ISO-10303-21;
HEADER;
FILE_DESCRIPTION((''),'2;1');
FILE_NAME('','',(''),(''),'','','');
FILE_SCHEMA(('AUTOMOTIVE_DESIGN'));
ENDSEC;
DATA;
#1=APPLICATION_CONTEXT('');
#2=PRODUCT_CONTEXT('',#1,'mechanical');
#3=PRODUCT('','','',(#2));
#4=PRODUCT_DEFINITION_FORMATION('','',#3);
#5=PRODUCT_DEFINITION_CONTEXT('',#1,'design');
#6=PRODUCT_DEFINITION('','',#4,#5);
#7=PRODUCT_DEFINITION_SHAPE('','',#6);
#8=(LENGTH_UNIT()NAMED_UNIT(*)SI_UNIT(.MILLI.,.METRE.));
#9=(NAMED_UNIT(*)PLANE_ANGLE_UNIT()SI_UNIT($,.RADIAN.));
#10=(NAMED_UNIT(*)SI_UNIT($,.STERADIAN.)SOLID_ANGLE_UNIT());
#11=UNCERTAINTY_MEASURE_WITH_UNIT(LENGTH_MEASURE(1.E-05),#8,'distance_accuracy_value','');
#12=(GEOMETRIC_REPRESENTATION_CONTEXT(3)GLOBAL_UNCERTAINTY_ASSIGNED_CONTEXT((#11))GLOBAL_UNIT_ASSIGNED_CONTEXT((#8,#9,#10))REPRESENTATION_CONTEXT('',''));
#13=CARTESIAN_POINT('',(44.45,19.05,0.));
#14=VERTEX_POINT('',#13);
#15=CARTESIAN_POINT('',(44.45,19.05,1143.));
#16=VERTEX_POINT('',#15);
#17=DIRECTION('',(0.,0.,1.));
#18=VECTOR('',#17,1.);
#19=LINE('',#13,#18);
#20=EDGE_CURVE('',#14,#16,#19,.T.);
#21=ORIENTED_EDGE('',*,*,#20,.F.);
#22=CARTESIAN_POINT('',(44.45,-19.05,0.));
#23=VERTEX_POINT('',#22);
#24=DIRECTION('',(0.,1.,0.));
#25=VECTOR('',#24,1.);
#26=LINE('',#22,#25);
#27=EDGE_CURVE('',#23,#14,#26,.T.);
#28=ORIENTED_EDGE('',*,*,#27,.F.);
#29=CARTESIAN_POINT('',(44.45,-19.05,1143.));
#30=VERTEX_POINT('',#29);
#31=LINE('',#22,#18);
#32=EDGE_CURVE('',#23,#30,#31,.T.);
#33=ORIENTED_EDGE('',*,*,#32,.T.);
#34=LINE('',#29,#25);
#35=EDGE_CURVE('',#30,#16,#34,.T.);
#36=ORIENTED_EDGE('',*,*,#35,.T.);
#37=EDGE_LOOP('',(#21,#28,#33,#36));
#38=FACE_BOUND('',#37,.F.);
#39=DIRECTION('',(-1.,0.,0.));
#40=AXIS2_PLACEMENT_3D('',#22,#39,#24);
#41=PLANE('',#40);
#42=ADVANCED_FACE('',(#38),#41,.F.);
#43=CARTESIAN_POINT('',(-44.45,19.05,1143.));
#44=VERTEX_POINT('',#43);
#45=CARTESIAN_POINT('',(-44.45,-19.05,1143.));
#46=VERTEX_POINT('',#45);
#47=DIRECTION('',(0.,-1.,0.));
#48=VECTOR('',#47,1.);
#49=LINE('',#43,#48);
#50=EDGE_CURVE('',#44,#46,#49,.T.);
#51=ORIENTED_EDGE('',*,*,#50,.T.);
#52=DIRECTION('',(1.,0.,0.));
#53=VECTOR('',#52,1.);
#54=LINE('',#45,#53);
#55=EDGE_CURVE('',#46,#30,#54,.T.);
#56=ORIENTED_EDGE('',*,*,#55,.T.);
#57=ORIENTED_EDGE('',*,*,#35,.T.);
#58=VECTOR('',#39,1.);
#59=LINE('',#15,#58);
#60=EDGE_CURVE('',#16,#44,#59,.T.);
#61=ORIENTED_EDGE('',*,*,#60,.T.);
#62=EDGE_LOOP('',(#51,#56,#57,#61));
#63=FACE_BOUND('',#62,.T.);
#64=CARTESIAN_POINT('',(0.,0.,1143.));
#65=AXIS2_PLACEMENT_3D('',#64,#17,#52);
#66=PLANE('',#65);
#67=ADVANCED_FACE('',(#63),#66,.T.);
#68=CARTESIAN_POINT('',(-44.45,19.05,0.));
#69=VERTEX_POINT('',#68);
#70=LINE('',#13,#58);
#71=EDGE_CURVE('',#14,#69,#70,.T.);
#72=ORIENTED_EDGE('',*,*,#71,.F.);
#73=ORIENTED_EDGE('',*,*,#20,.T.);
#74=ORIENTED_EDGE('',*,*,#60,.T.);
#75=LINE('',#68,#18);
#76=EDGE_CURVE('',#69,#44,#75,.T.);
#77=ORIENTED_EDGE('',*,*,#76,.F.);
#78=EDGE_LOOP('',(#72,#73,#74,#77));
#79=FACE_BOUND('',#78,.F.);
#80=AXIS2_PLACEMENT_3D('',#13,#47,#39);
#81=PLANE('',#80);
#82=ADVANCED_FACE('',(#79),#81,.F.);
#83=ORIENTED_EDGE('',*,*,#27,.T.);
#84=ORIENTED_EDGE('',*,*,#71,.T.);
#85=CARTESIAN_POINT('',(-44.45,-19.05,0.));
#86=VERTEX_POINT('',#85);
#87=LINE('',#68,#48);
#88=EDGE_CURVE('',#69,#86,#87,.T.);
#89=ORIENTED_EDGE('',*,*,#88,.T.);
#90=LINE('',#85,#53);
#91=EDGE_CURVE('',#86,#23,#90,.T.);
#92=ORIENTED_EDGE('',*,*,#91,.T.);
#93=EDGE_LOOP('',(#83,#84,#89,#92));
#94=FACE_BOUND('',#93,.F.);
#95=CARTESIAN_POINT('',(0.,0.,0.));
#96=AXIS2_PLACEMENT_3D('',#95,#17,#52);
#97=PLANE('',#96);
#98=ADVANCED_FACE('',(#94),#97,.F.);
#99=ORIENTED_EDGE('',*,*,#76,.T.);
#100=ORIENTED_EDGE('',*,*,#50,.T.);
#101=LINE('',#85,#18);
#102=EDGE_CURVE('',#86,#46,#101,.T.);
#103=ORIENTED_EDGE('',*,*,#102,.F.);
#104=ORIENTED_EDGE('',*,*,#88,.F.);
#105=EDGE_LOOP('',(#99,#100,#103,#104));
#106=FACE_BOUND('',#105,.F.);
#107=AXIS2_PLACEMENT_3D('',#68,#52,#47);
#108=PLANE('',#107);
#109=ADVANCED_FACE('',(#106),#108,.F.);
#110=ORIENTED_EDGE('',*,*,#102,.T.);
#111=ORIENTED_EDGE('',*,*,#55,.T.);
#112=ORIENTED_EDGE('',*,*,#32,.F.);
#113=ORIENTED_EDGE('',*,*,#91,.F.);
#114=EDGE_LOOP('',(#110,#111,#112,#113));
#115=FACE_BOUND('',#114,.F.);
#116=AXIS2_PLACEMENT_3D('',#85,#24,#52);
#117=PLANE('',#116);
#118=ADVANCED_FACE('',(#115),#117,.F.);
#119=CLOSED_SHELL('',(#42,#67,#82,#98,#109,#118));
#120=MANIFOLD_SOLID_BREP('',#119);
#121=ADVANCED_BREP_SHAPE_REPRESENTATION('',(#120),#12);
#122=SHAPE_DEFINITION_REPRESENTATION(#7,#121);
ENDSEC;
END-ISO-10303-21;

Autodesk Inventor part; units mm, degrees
ref_plane "YZ Plane" through (0, 0, 0) normal (1, 0, 0) x (0, 1, 0)
ref_plane "XZ Plane" through (0, 0, 0) normal (0, 1, 0) x (-1, 0, 0)
ref_plane "XY Plane" through (0, 0, 0) normal (0, 0, 1) x (1, 0, 0)
sketch "Sketch1" plane through (0, 0, 0) normal (0, 0, 1) x (1, 0, 0)
  line L0 (-44.45, -19.05) -> (44.45, -19.05)
  line L1 (44.45, -19.05) -> (44.45, 19.05)
  line L2 (44.45, 19.05) -> (-44.45, 19.05)
  line L3 (-44.45, 19.05) -> (-44.45, -19.05)
  line L4 (-44.45, -19.05) -> (44.45, 19.05) construction
  line L5 (44.45, -19.05) -> (-44.45, 19.05) construction
  point P0 (0, 0)
  dimension "d0" = 88.9
  dimension "d1" = 38.1
extrude "Extrusion1" add sketch "Sketch1" along normal blind 1143
properties part number "2x4x45"
